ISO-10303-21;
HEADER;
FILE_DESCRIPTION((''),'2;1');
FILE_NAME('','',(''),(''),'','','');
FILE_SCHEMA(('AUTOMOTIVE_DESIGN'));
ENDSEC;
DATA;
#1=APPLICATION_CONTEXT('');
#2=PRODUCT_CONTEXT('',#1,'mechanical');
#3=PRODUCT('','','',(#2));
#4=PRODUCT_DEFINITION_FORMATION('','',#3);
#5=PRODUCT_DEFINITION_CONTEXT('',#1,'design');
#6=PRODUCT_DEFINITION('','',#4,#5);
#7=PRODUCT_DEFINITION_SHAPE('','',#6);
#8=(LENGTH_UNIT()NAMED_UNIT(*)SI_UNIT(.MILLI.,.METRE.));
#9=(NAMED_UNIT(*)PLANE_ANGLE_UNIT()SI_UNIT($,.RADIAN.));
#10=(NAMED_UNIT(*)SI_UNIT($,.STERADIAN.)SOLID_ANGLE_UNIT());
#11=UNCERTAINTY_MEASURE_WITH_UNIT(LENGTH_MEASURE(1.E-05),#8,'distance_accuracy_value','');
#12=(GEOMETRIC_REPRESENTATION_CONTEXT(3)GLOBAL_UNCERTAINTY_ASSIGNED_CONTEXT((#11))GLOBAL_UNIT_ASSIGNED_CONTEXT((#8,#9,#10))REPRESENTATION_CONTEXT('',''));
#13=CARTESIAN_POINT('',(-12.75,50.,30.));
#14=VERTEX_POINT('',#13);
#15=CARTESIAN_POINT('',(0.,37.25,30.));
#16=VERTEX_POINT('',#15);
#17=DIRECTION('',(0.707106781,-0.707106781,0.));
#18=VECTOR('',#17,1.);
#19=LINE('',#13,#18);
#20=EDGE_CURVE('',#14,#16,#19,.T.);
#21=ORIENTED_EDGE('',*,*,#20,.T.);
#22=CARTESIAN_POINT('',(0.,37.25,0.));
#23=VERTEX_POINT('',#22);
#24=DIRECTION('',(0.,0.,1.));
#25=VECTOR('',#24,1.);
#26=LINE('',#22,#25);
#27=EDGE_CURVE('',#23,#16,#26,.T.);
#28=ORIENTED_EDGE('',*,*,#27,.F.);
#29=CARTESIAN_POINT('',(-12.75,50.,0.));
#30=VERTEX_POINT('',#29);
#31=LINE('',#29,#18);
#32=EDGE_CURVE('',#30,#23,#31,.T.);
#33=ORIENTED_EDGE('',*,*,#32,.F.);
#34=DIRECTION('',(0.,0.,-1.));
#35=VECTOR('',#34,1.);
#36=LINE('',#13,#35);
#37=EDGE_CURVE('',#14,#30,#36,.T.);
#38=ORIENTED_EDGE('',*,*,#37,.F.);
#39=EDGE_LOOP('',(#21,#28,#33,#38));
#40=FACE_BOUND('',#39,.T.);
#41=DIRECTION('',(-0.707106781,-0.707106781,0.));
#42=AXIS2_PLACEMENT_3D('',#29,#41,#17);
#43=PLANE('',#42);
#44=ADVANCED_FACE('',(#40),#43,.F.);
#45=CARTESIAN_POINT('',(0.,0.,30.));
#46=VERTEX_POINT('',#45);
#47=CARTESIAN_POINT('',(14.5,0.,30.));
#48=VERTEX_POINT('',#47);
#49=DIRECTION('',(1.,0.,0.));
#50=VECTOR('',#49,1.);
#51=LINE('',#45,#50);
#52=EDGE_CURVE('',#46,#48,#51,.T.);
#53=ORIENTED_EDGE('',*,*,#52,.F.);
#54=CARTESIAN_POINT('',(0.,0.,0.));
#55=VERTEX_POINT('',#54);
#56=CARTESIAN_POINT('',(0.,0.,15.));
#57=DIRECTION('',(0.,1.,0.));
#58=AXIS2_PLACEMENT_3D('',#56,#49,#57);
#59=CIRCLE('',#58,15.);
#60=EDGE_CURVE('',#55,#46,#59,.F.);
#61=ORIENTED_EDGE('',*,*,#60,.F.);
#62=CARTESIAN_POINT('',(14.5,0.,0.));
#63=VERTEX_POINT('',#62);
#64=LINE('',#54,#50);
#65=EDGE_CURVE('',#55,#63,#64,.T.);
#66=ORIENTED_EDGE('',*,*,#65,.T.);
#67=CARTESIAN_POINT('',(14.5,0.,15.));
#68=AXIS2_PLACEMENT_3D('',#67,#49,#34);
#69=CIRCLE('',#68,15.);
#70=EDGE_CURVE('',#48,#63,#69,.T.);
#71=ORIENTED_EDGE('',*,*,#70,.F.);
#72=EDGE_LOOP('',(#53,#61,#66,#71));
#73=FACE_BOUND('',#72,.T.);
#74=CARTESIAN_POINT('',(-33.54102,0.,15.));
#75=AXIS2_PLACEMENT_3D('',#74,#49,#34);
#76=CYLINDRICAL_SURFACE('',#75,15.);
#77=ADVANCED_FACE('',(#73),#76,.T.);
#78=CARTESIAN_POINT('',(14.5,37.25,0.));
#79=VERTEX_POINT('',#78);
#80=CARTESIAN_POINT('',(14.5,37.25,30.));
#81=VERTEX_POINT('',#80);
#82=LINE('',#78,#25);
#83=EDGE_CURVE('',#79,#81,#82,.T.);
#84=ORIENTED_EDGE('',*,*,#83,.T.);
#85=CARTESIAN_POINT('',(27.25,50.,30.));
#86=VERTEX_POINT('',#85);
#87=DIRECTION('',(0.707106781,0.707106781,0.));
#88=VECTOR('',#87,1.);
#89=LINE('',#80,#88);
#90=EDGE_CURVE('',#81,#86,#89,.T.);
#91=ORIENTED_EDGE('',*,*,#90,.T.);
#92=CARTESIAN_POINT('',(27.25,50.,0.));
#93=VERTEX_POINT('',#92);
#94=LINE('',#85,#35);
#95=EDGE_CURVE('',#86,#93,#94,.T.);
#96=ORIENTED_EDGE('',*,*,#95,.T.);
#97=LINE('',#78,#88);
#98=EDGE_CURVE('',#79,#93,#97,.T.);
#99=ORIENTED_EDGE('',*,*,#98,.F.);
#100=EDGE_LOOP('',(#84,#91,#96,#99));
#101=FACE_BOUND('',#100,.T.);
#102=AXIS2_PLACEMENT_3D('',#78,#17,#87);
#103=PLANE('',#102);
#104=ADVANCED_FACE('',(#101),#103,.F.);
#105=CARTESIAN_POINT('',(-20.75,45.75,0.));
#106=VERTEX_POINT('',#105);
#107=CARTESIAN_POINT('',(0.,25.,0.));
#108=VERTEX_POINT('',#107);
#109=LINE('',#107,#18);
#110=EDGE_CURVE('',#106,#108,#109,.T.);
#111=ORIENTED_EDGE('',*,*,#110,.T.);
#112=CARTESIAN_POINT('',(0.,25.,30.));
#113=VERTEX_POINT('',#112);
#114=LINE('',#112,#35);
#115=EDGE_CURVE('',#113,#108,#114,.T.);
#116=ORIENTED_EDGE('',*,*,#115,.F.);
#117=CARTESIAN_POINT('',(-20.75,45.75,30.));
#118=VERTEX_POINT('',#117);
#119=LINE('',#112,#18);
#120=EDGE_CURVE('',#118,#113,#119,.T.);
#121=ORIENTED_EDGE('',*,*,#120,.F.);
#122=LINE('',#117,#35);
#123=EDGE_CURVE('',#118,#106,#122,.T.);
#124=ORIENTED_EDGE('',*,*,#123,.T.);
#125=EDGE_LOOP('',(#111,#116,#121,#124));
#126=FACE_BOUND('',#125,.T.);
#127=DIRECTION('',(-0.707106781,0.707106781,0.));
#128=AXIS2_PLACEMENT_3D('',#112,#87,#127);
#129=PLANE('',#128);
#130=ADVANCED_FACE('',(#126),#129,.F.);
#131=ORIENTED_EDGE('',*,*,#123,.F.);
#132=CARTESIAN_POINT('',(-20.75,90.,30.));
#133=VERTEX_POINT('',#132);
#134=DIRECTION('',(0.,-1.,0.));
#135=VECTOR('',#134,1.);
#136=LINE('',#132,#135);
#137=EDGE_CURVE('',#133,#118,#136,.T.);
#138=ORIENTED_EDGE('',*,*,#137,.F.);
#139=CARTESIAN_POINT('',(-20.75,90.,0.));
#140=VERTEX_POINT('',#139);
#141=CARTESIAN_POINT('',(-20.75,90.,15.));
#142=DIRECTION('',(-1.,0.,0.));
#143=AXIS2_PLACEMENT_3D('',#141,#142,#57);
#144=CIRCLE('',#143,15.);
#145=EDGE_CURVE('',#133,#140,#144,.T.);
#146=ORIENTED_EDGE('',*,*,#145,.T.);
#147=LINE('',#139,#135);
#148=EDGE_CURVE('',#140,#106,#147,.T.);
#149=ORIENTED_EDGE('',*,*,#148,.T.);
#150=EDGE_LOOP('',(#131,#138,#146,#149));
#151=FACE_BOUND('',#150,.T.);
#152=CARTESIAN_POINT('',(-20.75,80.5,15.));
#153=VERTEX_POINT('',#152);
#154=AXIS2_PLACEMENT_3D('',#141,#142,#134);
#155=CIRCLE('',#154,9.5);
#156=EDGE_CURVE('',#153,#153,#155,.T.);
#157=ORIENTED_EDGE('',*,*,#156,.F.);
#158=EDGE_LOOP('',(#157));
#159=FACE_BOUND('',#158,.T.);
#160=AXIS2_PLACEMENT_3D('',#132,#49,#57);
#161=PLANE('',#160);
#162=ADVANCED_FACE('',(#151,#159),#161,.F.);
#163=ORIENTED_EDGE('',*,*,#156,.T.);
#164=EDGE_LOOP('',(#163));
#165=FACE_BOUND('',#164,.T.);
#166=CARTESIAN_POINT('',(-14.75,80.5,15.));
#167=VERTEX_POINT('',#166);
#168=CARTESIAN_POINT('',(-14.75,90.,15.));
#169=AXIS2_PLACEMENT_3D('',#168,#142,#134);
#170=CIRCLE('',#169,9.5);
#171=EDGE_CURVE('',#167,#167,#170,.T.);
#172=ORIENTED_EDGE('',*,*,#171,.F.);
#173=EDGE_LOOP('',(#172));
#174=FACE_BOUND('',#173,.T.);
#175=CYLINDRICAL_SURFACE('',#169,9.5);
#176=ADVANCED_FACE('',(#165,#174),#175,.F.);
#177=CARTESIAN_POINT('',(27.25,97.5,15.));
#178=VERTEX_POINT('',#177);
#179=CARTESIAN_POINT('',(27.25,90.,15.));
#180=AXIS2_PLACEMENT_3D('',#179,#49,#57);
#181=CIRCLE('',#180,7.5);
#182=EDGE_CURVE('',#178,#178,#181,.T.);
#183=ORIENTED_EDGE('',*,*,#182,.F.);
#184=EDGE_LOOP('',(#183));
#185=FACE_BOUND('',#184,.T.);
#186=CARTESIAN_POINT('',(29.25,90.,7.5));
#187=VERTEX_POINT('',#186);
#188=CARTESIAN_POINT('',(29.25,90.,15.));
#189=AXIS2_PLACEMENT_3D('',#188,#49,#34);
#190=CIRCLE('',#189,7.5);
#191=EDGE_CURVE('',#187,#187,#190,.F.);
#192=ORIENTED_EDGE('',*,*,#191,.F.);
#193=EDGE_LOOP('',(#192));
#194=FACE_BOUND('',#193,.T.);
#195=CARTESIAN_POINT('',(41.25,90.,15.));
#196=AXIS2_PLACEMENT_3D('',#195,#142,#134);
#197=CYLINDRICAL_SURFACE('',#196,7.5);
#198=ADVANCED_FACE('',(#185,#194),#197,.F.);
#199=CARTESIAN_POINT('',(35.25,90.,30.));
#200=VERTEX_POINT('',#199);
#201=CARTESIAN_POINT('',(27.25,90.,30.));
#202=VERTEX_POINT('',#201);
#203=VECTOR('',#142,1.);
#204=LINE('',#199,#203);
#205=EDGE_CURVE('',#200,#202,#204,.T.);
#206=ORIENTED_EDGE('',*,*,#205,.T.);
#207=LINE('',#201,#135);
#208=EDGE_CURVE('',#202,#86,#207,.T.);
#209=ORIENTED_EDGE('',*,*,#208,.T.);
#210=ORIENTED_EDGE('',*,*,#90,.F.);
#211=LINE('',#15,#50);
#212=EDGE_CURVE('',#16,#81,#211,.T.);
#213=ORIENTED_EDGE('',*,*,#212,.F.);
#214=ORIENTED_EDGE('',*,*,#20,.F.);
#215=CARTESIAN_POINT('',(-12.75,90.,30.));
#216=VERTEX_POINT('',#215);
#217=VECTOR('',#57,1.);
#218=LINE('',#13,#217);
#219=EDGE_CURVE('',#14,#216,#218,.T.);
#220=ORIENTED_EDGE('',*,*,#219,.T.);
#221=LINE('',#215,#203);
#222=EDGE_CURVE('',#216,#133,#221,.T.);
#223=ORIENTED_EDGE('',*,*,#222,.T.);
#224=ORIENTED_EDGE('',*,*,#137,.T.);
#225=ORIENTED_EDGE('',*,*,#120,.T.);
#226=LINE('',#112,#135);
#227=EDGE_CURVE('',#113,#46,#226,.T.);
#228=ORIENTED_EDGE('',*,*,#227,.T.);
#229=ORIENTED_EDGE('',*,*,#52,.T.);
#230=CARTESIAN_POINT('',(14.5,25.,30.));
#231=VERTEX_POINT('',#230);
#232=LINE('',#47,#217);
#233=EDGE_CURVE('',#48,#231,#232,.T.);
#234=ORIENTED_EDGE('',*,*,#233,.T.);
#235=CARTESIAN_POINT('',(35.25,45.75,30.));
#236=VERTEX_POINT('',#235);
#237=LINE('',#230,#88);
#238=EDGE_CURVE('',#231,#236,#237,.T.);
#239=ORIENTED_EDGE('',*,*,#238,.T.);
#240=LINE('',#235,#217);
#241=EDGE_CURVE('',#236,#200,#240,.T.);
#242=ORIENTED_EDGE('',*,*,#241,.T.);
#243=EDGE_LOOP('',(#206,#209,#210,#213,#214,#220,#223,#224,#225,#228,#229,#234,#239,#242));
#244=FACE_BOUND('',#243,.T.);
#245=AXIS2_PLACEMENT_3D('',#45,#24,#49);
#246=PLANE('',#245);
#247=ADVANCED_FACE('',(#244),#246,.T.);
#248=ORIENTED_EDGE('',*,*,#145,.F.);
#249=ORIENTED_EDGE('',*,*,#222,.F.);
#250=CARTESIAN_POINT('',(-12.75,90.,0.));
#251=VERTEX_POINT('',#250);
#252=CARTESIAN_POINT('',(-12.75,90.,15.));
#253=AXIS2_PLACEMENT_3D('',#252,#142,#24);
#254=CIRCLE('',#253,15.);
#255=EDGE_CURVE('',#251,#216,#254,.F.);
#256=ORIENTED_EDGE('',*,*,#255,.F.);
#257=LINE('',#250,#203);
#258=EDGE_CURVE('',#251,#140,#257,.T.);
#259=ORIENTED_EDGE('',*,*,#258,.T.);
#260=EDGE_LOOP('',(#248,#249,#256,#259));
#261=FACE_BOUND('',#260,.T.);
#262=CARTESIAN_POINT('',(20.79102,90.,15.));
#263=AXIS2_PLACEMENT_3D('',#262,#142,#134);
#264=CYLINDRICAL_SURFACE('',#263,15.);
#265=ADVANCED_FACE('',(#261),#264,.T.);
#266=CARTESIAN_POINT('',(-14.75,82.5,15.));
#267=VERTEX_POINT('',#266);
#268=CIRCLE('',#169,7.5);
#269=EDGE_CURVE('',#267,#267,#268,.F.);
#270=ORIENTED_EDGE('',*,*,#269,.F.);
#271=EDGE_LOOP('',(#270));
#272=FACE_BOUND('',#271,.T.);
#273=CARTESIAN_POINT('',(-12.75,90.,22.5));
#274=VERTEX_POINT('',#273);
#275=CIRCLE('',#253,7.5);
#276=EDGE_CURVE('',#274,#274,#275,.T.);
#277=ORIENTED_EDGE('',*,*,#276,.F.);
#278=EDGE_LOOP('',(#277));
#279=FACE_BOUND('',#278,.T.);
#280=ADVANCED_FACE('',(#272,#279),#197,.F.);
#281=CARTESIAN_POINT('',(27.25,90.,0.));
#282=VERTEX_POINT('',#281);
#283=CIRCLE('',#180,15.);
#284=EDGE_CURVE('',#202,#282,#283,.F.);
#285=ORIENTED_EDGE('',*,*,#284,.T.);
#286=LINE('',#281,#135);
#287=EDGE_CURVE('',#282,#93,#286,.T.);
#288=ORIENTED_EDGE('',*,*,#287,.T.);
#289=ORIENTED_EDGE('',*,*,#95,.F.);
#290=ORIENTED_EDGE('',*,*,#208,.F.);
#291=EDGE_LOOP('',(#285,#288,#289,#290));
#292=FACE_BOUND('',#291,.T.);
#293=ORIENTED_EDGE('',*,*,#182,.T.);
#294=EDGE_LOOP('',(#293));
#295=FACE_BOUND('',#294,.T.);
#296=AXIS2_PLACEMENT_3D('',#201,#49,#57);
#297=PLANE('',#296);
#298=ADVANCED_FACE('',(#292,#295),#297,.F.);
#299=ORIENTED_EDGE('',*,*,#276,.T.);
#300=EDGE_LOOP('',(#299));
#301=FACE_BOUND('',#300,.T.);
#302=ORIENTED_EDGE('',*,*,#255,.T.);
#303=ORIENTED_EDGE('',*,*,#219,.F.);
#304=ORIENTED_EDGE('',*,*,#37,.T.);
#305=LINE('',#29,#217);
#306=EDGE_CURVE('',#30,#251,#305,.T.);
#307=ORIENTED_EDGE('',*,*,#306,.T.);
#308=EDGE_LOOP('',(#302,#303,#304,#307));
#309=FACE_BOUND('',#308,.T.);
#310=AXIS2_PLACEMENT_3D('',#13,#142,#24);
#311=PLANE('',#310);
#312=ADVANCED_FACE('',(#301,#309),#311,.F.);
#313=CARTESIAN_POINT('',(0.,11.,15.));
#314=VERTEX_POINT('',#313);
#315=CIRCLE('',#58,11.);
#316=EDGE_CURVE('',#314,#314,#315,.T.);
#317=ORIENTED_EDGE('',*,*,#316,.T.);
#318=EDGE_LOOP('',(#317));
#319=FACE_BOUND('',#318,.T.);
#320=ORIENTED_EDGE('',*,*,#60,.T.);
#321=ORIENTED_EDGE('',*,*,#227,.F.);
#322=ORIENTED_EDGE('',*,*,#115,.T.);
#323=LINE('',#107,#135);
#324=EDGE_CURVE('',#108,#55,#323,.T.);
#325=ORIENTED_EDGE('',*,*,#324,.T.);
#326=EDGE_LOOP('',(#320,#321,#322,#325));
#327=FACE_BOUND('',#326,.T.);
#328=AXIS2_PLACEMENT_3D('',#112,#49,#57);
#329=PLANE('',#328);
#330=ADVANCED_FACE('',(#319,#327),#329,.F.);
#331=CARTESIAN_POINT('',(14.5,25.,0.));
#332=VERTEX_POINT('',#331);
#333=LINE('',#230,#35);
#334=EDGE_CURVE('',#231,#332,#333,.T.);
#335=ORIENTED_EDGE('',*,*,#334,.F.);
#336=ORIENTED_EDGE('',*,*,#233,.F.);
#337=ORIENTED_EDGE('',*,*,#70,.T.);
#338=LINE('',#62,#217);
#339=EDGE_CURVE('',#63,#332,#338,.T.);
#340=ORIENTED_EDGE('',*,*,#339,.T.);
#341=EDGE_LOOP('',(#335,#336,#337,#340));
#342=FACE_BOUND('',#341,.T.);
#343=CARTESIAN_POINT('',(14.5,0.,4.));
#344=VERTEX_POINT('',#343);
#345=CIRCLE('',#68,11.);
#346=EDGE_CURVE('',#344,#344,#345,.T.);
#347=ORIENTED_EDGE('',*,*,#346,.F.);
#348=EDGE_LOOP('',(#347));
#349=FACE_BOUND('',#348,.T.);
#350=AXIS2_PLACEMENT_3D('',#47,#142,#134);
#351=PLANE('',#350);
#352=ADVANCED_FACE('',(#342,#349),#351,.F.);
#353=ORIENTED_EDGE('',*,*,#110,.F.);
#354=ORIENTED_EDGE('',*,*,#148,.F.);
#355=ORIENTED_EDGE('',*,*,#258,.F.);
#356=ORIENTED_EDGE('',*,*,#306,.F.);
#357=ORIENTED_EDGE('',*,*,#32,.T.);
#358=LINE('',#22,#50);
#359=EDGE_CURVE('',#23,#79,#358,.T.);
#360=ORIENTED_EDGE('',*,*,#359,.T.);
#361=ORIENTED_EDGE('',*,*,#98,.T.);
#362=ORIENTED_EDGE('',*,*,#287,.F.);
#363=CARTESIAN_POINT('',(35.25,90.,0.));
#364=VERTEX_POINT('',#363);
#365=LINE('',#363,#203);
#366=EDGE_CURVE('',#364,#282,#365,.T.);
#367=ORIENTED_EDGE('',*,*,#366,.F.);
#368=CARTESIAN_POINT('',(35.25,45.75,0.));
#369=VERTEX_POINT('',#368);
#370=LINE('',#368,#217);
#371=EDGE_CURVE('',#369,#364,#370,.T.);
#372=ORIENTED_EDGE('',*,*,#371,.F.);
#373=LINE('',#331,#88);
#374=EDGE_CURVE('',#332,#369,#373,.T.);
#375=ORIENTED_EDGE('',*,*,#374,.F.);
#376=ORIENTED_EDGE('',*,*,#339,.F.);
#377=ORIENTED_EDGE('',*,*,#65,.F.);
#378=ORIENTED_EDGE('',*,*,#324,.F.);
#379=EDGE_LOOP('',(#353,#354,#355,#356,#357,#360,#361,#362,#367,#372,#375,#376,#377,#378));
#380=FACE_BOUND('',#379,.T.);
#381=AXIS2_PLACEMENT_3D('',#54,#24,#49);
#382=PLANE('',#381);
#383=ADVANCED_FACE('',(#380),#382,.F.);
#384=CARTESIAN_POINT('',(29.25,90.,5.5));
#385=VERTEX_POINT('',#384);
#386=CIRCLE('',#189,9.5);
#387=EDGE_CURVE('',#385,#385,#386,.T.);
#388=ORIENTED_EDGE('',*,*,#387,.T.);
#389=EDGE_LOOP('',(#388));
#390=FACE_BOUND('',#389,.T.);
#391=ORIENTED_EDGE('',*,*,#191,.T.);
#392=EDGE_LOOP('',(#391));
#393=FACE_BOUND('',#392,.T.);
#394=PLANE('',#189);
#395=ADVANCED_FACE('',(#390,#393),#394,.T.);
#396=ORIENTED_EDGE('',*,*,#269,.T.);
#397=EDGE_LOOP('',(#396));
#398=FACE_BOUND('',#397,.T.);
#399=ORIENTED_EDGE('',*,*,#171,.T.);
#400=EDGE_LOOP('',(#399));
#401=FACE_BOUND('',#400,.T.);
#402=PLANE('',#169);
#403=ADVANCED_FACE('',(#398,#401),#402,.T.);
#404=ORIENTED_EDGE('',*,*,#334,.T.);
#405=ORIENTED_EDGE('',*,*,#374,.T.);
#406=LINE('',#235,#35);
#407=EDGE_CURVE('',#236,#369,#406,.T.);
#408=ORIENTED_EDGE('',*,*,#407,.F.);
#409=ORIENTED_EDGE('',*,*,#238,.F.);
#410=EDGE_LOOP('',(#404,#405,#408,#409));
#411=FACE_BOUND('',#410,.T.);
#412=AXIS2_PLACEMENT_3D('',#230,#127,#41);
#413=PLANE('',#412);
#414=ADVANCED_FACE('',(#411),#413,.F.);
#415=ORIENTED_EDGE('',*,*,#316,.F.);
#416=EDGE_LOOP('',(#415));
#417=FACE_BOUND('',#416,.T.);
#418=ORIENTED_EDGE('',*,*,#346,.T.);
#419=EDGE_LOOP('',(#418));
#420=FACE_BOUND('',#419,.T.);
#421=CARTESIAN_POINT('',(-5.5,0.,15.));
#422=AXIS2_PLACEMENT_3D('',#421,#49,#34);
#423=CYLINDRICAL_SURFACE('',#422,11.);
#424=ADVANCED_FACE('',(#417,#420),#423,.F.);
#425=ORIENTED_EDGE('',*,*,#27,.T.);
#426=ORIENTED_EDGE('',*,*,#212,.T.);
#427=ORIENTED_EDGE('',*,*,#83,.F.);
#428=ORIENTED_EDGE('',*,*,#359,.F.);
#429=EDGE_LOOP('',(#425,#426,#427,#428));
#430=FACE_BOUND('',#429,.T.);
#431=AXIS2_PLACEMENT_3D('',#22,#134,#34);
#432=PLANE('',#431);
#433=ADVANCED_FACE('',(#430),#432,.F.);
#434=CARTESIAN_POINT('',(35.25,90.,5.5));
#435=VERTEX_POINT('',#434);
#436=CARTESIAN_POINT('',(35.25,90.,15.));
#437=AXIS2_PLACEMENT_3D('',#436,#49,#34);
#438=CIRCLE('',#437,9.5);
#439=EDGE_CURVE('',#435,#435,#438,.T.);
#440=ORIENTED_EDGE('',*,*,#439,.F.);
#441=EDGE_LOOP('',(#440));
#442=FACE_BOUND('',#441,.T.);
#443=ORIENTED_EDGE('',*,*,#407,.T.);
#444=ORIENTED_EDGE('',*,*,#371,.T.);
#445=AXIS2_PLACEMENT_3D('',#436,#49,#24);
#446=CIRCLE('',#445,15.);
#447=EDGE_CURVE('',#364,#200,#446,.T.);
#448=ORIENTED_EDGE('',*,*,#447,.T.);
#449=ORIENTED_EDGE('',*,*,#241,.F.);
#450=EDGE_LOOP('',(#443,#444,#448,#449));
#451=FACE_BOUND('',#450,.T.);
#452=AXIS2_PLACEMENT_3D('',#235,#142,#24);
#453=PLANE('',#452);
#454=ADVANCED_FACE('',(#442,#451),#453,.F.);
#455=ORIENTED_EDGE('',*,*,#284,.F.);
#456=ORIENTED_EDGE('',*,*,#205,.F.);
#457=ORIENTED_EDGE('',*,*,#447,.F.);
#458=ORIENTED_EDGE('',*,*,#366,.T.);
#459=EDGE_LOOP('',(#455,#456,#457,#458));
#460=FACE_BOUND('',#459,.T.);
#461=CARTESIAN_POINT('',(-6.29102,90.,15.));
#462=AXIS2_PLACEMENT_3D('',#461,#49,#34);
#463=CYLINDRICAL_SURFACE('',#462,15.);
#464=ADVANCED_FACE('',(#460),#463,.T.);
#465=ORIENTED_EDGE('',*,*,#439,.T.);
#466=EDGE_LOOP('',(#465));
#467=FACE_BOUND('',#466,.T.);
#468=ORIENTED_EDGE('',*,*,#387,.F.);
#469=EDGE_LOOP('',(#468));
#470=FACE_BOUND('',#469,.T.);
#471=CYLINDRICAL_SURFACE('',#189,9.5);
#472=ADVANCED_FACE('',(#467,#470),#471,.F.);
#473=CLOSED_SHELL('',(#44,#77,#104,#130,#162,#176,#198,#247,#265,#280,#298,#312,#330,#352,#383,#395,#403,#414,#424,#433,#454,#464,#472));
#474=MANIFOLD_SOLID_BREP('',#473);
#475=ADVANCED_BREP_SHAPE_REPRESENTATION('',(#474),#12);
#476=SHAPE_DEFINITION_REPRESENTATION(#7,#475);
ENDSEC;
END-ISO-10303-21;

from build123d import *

# Parameters (mm, degrees)
EXTRUDE_1_DEPTH     = 30
CUT_EXTRUDE_1_DEPTH = 102.205545797
EXTRUDE_2_DEPTH     = 14.5
SKETCH_4_R          = 11
CUT_EXTRUDE_2_DEPTH = 20
EXTRUDE_3_DEPTH     = 8
EXTRUDE_START       = -8
EXTRUDE_4_DEPTH     = 8
SKETCH_9_R          = 7.5
CUT_EXTRUDE_5_DEPTH = 62
SKETCH_10_R         = 9.5
CUT_EXTRUDE_6_DEPTH = 6
CUT_EXTRUDE_START   = -6
SKETCH_11_R         = 9.5
CUT_EXTRUDE_7_DEPTH = 6


with BuildPart() as part:
    # 草图1 → 凸台-拉伸1 (new body)
    with BuildSketch(Plane.XY):
        Polygon((0, 0), (14.5, 0), (14.5, 25), (35.25, 45.75), (35.25, 90), (27.25, 90), (27.25, 50), (-12.75, 50), (-12.75, 90), (-20.75, 90), (-20.75, 45.75), (0, 25), align=None)
    extrude(amount=EXTRUDE_1_DEPTH)

    # 草图2 → 切除-拉伸1 (cut, through all)
    with BuildSketch(Plane.XY.offset(30)):
        Polygon((-12.75, 50), (0, 37.25), (14.5, 37.25), (27.25, 50), align=None)
    extrude(amount=-CUT_EXTRUDE_1_DEPTH, mode=Mode.SUBTRACT)

    # 草图3 → 凸台-拉伸2 (add)
    with BuildSketch(Plane(origin=(14.5, 0, 0), x_dir=(0, 0, -1), z_dir=(1, 0, 0))):
        with BuildLine():
            Line((-30, 0), (0, 0))
            ThreePointArc((0, 0), (-15, -15), (-30, 0))
        make_face()
    extrude(amount=-EXTRUDE_2_DEPTH)

    # 草图4 → 切除-拉伸2 (cut)
    with BuildSketch(Plane(origin=(14.5, 0, 0), x_dir=(0, 0, -1), z_dir=(1, 0, 0))):
        with Locations((-15, 0)):
            Circle(SKETCH_4_R)
    extrude(amount=-CUT_EXTRUDE_2_DEPTH, mode=Mode.SUBTRACT)

    # 草图7 → 凸台-拉伸3 (add)
    with BuildSketch(Plane(origin=(35.25, 0, 0), x_dir=(0, 0, -1), z_dir=(1, 0, 0))):
        with BuildLine():
            Line((-30, 90), (0, 90))
            ThreePointArc((0, 90), (-15, 105), (-30, 90))
        make_face()
    extrude(amount=-EXTRUDE_3_DEPTH)

    # 草图8 → 凸台-拉伸4 (add)
    with BuildSketch(Plane.ZY.offset(20.75).offset(EXTRUDE_START)):
        with BuildLine():
            Line((0, 90), (30, 90))
            ThreePointArc((30, 90), (15, 105), (0, 90))
        make_face()
    extrude(amount=EXTRUDE_4_DEPTH)

    # 草图9 → 切除-拉伸5 (cut)
    with BuildSketch(Plane.ZY.offset(20.75)):
        with Locations(Location((15, 90, 0), (0, 0, 270))):
            Circle(SKETCH_9_R)
    extrude(amount=-CUT_EXTRUDE_5_DEPTH, mode=Mode.SUBTRACT)

    # 草图10 → 切除-拉伸6 (cut)
    with BuildSketch(Plane.ZY.offset(20.75)):
        with Locations(Location((15, 90, 0), (0, 0, 270))):
            Circle(SKETCH_10_R)
    extrude(amount=-CUT_EXTRUDE_6_DEPTH, mode=Mode.SUBTRACT)

    # 草图11 → 切除-拉伸7 (cut)
    with BuildSketch(Plane(origin=(35.25, 0, 0), x_dir=(0, 0, -1), z_dir=(1, 0, 0)).offset(CUT_EXTRUDE_START)):
        with Locations(Location((-15, 90, 0), (0, 0, 270))):
            Circle(SKETCH_11_R)
    extrude(amount=CUT_EXTRUDE_7_DEPTH, mode=Mode.SUBTRACT)


solid = part.part
